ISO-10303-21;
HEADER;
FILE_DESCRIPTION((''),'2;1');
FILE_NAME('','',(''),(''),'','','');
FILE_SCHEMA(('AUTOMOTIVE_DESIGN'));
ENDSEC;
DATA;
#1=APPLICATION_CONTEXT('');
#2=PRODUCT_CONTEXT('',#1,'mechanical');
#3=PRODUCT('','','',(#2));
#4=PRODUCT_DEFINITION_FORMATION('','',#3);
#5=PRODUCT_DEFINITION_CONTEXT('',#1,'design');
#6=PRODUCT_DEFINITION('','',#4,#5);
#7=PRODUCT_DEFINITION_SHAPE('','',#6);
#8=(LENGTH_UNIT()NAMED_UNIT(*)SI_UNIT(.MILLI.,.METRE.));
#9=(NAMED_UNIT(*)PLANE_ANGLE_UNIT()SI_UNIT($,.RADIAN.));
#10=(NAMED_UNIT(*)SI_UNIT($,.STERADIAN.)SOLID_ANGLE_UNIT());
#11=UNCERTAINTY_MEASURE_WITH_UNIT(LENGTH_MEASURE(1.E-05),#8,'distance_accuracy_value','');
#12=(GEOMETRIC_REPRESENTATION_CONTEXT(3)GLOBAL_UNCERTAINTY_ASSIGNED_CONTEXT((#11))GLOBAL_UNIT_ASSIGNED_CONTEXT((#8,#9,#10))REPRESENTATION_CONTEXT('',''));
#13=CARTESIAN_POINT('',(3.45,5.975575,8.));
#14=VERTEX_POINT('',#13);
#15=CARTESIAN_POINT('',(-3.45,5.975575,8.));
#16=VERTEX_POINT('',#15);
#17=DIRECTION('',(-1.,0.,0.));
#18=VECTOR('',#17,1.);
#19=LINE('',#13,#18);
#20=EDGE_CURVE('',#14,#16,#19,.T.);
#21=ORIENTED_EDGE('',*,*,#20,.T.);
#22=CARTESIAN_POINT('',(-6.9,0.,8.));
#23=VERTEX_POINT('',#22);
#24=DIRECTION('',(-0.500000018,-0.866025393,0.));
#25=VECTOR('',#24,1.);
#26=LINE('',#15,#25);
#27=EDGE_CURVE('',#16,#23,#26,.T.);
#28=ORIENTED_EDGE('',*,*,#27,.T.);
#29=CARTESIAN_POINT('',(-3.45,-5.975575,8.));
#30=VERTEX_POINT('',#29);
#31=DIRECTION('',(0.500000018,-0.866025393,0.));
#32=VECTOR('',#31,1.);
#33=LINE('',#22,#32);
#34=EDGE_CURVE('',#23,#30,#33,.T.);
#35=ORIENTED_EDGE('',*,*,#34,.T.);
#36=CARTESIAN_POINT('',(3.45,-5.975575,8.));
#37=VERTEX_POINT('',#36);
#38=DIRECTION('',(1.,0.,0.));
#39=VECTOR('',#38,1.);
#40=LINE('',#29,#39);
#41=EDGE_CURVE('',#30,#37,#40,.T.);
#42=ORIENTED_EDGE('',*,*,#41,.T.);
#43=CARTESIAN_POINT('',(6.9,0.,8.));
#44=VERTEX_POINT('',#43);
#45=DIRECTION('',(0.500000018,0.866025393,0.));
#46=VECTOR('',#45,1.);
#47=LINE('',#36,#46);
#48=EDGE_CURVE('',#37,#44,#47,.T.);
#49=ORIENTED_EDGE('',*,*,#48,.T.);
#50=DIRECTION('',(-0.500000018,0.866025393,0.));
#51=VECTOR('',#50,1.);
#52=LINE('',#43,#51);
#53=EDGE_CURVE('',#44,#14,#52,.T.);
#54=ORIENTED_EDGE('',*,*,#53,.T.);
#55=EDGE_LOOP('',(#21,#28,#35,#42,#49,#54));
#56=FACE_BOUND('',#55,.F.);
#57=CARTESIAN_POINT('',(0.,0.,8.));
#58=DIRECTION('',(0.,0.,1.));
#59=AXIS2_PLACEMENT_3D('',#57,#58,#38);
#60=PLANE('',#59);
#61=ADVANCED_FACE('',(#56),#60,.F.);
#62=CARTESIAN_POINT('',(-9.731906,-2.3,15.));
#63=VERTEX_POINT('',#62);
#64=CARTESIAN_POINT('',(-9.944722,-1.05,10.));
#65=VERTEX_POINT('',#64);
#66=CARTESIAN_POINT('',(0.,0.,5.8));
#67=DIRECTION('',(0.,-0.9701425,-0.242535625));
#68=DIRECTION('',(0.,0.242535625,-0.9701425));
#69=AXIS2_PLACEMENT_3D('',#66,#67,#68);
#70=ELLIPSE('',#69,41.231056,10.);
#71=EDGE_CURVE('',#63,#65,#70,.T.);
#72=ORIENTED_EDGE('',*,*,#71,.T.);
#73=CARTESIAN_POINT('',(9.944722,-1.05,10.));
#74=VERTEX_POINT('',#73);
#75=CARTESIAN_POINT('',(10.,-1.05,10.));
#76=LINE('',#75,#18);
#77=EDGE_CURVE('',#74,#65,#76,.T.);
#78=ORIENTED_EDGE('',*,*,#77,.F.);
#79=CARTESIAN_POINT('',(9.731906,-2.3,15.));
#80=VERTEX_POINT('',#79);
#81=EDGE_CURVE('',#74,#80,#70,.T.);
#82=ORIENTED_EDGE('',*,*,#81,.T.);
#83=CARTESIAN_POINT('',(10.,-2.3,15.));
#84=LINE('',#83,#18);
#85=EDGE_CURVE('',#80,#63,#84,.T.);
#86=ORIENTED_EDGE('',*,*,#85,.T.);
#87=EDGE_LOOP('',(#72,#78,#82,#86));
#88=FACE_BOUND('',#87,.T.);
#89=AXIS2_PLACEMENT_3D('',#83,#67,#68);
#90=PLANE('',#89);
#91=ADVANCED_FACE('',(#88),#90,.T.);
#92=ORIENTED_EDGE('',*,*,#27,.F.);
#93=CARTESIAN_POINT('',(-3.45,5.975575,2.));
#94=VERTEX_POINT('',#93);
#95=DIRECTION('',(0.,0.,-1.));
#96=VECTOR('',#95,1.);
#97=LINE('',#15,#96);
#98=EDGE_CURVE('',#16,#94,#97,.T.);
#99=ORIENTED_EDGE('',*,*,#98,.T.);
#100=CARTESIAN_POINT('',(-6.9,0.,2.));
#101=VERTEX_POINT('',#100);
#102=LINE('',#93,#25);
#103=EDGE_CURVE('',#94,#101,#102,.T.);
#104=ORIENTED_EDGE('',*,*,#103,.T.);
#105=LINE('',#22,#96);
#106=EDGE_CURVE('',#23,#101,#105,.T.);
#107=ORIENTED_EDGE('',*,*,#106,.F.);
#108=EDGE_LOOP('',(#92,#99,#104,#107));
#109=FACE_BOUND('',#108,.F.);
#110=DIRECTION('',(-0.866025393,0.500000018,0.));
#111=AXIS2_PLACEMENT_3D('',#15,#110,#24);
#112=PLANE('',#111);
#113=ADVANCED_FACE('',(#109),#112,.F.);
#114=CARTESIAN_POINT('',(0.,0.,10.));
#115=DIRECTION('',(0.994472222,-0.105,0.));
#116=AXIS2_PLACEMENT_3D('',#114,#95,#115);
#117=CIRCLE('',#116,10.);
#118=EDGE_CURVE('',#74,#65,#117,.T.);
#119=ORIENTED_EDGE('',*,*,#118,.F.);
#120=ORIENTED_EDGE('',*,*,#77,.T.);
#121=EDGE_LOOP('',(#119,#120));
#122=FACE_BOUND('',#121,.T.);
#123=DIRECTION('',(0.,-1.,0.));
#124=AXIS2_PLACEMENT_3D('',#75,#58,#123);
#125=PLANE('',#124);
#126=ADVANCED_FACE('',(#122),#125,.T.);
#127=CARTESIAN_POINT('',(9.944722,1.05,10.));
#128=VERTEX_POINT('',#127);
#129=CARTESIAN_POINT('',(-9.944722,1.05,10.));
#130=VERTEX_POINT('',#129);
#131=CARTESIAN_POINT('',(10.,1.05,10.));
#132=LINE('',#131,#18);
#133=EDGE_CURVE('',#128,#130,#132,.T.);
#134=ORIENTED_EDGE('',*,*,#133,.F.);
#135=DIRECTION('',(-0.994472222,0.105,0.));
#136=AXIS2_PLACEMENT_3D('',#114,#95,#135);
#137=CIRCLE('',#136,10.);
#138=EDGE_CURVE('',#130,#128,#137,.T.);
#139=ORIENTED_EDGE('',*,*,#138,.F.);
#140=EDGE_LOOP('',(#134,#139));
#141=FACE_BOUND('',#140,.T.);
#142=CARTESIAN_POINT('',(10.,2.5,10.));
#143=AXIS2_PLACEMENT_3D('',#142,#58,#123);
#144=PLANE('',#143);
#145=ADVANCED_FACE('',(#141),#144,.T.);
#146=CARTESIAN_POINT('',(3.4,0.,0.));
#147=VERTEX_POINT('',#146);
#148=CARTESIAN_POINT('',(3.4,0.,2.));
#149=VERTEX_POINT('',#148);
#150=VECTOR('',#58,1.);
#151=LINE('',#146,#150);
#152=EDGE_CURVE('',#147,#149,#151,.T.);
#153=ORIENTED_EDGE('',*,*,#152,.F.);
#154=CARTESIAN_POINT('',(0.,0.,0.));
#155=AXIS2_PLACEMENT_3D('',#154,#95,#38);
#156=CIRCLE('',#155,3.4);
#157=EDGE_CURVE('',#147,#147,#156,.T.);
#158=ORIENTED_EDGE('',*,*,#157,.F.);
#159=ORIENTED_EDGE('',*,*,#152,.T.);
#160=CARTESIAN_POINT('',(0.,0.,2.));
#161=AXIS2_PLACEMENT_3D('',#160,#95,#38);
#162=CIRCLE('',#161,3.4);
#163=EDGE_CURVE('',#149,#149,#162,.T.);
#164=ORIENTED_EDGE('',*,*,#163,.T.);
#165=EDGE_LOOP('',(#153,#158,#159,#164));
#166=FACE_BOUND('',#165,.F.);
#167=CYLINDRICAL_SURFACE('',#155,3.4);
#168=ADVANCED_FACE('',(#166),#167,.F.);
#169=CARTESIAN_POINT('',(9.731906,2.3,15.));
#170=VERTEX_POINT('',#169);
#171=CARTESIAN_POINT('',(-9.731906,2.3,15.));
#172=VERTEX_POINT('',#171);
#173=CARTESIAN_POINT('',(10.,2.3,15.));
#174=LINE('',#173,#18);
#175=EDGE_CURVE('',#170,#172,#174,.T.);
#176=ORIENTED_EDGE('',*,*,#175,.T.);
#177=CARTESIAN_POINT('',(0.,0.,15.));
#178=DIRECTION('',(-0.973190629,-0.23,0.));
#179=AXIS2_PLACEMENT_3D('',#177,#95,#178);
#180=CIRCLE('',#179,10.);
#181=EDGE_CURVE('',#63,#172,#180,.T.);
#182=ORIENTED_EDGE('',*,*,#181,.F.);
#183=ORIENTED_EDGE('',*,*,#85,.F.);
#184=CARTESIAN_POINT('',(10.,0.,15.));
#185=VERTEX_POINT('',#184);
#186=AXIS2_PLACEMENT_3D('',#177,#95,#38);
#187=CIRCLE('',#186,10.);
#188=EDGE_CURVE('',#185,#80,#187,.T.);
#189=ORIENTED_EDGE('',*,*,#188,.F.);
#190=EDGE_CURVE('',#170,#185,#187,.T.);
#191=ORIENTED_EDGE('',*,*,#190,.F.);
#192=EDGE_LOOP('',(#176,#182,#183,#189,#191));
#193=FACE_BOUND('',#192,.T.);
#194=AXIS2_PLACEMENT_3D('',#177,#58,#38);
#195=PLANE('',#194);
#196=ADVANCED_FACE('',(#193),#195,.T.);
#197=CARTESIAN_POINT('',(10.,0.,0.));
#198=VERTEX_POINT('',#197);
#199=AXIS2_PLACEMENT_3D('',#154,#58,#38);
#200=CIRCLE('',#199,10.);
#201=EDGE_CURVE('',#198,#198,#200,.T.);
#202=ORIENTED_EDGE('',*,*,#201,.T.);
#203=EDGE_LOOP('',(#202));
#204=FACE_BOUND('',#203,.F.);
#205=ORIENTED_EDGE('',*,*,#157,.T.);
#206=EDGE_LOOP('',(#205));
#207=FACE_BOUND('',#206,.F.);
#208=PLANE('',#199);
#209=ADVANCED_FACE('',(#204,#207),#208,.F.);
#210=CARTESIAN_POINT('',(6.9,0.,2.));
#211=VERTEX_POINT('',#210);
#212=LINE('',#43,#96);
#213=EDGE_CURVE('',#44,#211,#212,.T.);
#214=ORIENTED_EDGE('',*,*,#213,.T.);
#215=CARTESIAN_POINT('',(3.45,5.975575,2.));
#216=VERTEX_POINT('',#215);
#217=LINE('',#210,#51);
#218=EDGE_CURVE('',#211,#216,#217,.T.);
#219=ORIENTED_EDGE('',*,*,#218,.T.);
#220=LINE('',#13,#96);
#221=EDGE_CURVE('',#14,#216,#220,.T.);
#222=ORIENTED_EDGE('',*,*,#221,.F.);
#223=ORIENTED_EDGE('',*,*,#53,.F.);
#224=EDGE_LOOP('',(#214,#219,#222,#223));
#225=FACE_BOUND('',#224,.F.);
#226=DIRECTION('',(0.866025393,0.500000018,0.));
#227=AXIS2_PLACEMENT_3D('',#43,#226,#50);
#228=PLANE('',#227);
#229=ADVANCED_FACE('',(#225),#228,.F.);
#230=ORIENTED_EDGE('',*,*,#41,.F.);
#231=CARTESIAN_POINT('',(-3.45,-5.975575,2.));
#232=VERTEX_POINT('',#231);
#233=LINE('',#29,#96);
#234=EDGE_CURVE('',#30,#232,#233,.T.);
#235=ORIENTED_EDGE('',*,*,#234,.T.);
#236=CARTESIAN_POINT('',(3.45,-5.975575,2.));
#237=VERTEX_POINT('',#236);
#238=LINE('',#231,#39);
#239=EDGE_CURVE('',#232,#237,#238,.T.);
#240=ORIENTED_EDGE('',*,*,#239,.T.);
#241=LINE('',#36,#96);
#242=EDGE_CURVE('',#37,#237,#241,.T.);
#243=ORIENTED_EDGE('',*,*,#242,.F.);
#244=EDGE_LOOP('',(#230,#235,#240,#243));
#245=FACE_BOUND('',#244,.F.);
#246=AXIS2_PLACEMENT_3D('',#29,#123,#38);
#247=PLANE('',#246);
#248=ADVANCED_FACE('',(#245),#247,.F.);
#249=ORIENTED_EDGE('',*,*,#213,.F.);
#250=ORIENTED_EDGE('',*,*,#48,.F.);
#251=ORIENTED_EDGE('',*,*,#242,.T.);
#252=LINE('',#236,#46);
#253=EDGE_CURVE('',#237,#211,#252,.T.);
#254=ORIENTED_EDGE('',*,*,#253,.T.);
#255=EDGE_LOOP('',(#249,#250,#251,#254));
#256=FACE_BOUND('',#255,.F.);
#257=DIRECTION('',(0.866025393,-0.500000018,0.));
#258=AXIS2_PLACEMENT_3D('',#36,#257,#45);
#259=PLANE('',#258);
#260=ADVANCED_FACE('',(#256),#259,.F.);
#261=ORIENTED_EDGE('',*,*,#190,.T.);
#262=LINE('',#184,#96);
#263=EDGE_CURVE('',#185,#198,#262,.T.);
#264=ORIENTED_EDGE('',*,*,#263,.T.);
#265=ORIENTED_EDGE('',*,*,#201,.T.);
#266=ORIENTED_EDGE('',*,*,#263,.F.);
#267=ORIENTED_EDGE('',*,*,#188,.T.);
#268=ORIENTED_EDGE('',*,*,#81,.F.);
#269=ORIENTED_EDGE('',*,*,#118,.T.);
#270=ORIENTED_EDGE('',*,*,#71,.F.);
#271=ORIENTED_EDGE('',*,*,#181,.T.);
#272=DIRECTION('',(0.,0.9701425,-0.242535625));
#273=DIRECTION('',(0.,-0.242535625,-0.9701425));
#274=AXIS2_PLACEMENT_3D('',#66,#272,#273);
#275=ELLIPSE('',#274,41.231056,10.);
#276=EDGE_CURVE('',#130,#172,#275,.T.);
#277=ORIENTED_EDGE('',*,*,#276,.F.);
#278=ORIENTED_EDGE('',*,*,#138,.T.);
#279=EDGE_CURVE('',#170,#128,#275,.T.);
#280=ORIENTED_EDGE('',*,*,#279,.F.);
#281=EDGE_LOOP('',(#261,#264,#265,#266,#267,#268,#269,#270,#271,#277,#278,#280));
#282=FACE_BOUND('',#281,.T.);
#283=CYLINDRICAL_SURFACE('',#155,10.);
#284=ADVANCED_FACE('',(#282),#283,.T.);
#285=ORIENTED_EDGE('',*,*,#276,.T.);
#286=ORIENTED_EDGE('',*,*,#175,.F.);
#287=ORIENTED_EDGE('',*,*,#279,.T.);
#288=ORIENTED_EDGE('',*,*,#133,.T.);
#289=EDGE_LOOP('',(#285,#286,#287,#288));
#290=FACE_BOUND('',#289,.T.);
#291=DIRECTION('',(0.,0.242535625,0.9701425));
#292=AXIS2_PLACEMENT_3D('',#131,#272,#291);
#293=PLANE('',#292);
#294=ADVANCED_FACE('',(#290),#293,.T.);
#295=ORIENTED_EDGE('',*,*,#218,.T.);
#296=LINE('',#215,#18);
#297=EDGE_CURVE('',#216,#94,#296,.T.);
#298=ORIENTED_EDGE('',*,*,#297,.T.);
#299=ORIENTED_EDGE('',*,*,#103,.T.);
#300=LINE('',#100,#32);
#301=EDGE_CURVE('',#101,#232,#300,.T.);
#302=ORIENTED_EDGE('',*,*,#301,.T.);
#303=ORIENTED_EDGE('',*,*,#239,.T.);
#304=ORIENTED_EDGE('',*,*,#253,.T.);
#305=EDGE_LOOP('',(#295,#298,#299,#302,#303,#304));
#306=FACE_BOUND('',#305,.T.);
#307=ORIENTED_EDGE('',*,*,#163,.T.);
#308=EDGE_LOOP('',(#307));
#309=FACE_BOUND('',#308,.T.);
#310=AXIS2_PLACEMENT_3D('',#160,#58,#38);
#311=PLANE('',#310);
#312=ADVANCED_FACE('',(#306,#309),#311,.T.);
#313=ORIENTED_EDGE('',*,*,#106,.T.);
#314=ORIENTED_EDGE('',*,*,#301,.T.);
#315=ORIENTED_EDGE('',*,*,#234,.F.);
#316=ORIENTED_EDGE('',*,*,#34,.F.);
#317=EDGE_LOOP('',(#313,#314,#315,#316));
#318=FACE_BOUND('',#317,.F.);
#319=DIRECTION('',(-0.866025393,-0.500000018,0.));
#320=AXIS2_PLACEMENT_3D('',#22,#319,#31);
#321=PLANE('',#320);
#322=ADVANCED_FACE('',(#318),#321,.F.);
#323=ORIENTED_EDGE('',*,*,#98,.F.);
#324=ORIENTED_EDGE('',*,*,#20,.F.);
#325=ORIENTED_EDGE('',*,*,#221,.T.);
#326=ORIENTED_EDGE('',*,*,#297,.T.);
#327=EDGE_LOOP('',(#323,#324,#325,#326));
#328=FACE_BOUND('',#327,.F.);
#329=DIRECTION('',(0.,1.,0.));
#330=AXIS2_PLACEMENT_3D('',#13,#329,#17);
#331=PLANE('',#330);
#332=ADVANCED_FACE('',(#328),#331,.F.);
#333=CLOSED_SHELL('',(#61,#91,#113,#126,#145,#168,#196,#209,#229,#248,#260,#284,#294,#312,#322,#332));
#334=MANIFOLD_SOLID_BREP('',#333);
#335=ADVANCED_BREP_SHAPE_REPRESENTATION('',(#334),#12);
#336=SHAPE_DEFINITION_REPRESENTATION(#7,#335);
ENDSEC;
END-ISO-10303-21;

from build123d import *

# Parameters (mm, degrees)
BOX_W           = 20
BOX_H           = 5
BOX_DEPTH       = 5
CYLINDER_R      = 10
CYLINDER_DEPTH  = 8
POCKET_DEPTH    = 6
SKETCH001_R     = 10
PAD_DEPTH       = 2
SKETCH002_R     = 3.4
POCKET001_DEPTH = 2
POCKET002_DEPTH = 20.001
SKETCH004_R     = 15
SKETCH004_R_2   = 10
POCKET003_DEPTH = 15.001


with BuildPart() as attachpart:
    # Box → Box (new body)
    with BuildSketch(Plane(origin=(-10, -2.5, 10), x_dir=(1, 0, 0), z_dir=(0, 0, 1))):
        with Locations((10, 2.5)):
            Rectangle(BOX_W, BOX_H)
    extrude(amount=BOX_DEPTH)


with BuildPart() as attachbody:
    # Cylinder → Cylinder (new body)
    with BuildSketch(Plane.XY):
        Circle(CYLINDER_R)
    extrude(amount=CYLINDER_DEPTH)

    # Sketch (on Face2 of BaseFeature) → Pocket (cut)
    with BuildSketch(Plane.XY.offset(8)):
        Polygon((3.45, -5.975575), (6.9, 0), (3.45, 5.975575), (-3.45, 5.975575), (-6.9, 0), (-3.45, -5.975575), align=None)
    extrude(amount=-POCKET_DEPTH, mode=Mode.SUBTRACT)

    # Sketch001 (on Face2 of Pocket) → Pad (join)
    with BuildSketch(Plane.XY.offset(8)):
        Circle(SKETCH001_R)
    extrude(amount=PAD_DEPTH)

    # Sketch002 (on Face3 of Pad) → Pocket001 (cut)
    with BuildSketch(Plane(origin=(0, 0, 0), x_dir=(1, 0, 0), z_dir=(0, 0, -1))):
        Circle(SKETCH002_R)
    extrude(amount=-POCKET001_DEPTH, mode=Mode.SUBTRACT)

    # Fusion: union AttachPart
    add(attachpart.part)

    # Sketch003 (on Face11 of BaseFeature001) → Pocket002 (cut, through all)
    with BuildSketch(Plane.YZ.offset(10)):
        Polygon((2.3, 15), (2.5, 15), (2.5, 10), (1.05, 10), align=None)
        Polygon((-2.5, 15), (-2.3, 15), (-1.05, 10), (-2.5, 10), align=None)
    extrude(amount=-POCKET002_DEPTH, mode=Mode.SUBTRACT)

    # Sketch004 (on Face3 of Pocket002) → Pocket003 (cut, through all)
    with BuildSketch(Plane(origin=(0, 0, 0), x_dir=(1, 0, 0), z_dir=(0, 0, -1))):
        Circle(SKETCH004_R)
        Circle(SKETCH004_R_2, mode=Mode.SUBTRACT)
    extrude(amount=-POCKET003_DEPTH, mode=Mode.SUBTRACT)


solid = attachbody.part
